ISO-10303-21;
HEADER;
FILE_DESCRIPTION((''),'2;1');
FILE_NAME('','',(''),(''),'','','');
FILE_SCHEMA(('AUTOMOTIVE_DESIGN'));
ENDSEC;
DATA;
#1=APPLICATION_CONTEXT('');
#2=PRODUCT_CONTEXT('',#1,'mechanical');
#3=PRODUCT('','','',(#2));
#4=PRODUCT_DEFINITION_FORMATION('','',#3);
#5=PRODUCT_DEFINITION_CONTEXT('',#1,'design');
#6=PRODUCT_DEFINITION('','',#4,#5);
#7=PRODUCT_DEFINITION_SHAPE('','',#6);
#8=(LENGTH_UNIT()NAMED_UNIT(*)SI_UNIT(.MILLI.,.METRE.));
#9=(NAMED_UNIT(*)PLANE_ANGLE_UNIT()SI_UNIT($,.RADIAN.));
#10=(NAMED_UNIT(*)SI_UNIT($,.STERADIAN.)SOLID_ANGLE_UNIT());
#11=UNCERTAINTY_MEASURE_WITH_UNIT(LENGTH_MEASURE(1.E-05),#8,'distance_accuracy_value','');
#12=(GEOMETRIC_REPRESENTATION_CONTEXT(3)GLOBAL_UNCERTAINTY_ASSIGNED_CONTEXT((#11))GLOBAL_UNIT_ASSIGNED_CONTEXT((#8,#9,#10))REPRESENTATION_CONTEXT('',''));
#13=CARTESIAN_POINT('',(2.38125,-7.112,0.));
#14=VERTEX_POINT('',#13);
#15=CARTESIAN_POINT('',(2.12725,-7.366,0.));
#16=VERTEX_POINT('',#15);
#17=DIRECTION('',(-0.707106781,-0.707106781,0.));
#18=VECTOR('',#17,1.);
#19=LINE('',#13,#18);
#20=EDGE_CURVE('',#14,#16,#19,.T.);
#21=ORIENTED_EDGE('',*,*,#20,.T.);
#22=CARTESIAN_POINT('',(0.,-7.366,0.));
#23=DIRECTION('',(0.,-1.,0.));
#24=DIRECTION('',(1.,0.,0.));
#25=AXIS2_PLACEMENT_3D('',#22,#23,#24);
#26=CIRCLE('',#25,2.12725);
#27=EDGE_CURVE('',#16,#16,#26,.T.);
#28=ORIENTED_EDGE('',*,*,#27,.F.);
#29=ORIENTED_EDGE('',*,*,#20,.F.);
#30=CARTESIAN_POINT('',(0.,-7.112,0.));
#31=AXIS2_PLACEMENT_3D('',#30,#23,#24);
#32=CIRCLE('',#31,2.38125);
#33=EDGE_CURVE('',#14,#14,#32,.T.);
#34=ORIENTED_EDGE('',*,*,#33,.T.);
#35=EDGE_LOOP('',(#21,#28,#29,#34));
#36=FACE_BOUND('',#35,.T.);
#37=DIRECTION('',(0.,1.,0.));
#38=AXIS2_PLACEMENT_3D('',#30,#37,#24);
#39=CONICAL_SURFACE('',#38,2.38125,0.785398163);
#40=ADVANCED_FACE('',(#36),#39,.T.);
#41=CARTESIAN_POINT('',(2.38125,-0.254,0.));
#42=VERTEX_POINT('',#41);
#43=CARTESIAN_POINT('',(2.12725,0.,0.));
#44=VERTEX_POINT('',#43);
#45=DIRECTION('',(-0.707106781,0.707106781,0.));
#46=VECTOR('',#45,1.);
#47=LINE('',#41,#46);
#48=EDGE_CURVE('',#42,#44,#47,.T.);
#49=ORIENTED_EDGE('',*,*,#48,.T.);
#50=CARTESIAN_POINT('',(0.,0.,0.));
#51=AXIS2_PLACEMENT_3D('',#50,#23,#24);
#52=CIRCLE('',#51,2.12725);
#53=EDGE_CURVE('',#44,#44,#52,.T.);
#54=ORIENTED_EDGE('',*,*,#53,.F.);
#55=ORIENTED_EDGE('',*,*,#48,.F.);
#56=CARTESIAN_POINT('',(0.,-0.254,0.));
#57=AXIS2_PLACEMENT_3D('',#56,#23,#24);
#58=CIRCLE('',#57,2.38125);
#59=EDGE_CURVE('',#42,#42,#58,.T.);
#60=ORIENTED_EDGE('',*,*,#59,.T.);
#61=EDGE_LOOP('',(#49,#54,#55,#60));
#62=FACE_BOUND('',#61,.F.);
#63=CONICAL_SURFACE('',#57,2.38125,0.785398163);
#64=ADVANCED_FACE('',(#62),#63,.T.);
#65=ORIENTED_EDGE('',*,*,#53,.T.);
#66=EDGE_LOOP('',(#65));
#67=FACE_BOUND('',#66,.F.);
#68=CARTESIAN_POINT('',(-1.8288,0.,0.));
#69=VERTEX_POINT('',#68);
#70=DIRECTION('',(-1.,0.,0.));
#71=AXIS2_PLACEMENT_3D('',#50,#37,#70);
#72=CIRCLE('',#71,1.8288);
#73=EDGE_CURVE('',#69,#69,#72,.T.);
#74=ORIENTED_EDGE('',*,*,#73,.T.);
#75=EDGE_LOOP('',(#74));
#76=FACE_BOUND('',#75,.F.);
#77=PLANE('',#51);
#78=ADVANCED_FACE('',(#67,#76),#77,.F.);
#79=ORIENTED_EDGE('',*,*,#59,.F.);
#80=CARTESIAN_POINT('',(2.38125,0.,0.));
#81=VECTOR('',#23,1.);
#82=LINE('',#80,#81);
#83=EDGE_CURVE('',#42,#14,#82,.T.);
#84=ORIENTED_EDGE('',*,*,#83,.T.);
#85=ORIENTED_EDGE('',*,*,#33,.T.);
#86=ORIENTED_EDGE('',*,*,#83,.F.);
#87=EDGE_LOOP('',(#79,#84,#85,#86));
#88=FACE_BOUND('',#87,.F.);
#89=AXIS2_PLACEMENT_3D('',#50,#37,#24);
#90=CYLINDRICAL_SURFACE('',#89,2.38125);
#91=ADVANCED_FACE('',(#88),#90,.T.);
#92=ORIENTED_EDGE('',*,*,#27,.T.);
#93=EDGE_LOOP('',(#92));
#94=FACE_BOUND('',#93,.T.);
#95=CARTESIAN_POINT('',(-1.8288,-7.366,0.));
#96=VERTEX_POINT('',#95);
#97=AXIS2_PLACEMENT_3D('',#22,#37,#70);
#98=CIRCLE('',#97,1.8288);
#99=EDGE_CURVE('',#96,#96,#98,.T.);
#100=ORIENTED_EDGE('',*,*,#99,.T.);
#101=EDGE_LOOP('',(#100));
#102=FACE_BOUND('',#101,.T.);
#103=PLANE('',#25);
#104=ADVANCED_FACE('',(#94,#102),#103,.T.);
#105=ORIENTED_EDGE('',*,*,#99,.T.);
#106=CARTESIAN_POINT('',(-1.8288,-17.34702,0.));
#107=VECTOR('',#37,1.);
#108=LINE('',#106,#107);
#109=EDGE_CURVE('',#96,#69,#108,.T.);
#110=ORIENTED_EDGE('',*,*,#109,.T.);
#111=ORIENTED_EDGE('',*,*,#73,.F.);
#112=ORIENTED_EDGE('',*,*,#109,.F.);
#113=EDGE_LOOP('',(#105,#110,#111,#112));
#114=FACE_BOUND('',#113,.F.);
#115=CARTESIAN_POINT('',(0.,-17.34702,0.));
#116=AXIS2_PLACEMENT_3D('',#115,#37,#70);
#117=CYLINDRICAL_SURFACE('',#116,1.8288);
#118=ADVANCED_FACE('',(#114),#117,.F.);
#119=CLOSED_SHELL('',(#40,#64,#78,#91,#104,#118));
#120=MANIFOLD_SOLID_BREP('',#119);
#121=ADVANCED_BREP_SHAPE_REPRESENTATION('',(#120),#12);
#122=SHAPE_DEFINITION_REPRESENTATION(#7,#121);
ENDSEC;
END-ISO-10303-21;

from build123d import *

# Parameters (mm, degrees)
F0_R     = 2.38125
F1_DEPTH = 7.366
F3_D     = 3.6576
F4_SIZE2 = 0.254
F4_SIZE  = 0.254


with BuildPart() as f1:
    # F0 (on Front) → F1 (new body)
    with BuildSketch(Plane.XZ):
        Circle(F0_R)
    extrude(amount=F1_DEPTH)

    # F3 (through all)
    with Locations(Plane.XZ.offset(7.366)):
        with Locations((0, 0)):
            Hole(F3_D / 2)

    # F4
    f4_edges = [f1.edges().sort_by_distance(p)[0] for p in [
        (-2.38125, -7.366, 0),
        (-2.38125, 0, 0),
    ]]
    chamfer(f4_edges, length=F4_SIZE, length2=F4_SIZE2)


solid = f1.part
